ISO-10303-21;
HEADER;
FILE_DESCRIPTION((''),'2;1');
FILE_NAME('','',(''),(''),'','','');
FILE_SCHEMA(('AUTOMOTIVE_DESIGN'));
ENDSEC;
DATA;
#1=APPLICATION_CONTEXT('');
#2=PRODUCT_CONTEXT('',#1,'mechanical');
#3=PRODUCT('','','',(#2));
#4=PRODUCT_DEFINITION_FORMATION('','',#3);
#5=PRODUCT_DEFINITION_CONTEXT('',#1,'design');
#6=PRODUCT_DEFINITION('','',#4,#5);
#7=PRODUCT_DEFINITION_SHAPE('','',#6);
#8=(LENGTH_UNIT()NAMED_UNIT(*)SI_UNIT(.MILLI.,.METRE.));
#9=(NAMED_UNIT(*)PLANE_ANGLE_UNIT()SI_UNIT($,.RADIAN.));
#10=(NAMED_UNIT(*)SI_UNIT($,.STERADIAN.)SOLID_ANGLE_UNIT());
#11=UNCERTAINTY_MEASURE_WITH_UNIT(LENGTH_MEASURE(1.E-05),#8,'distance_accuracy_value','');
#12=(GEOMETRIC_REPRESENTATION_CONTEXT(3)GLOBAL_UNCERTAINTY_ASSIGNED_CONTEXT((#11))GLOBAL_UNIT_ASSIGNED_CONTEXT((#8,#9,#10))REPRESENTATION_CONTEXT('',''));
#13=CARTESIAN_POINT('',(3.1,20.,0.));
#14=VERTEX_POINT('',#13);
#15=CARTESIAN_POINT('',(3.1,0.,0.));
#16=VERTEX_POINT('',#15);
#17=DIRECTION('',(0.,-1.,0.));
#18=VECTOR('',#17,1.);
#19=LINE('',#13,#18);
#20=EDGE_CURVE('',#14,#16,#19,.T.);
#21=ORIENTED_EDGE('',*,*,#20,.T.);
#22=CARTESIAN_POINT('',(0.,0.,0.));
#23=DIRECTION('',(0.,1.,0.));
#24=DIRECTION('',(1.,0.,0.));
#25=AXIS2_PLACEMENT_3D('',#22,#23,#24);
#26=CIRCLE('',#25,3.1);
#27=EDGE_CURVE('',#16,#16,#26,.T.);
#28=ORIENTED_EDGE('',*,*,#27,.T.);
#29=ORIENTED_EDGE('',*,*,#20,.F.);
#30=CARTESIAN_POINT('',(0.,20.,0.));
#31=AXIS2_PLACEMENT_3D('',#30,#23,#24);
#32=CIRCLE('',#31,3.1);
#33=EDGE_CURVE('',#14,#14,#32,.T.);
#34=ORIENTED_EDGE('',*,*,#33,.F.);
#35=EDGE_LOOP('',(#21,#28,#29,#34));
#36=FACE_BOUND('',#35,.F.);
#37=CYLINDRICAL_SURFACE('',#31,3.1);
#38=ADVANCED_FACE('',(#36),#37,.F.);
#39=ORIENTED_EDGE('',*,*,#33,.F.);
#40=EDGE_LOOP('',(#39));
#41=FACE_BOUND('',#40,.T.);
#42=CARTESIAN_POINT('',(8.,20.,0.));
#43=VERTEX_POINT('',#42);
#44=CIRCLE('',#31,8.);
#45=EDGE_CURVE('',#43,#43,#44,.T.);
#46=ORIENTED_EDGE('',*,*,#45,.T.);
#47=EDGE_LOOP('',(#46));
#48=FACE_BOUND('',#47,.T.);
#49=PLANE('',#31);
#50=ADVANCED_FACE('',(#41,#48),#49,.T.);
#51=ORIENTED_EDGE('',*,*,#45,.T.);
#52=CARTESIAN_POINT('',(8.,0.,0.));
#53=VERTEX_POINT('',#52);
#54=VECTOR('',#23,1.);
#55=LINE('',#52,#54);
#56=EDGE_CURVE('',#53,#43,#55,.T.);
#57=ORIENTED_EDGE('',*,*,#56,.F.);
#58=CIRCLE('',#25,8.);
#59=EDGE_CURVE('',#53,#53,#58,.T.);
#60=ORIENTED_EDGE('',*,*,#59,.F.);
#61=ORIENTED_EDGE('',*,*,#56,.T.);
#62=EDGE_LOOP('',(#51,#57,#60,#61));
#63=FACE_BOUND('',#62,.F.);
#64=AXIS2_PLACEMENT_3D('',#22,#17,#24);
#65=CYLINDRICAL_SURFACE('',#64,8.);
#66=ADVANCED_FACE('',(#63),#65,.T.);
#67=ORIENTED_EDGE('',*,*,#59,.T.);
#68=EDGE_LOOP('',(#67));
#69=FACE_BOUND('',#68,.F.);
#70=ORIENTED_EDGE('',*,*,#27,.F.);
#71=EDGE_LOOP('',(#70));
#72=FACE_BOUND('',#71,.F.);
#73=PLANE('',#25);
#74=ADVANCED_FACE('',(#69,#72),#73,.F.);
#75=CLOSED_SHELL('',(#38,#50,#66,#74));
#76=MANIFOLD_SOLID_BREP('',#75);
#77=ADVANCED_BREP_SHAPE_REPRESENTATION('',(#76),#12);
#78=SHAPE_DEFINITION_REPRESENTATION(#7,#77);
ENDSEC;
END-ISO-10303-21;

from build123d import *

# Parameters (mm, degrees)
SKETCH1_R           = 8
BOSS_EXTRUDE1_DEPTH = 20
CUT_EXTRUDE1_REACH  = 22
SKETCH2_R           = 3.1


with BuildPart() as part:
    # Sketch1 → Boss-Extrude1 (new body)
    with BuildSketch(Plane(origin=(0, 0, 0), x_dir=(1, 0, 0), z_dir=(0, 1, 0))):
        Circle(SKETCH1_R)
    extrude(amount=BOSS_EXTRUDE1_DEPTH)

    # Sketch2 → Cut-Extrude1 (cut, up to next)
    with BuildSketch(Plane(origin=(0, 20, 0), x_dir=(1, 0, 0), z_dir=(0, 1, 0)), mode=Mode.PRIVATE) as cut_extrude1_sk1:
        Circle(SKETCH2_R)
    cut_extrude1_tool1 = extrude(cut_extrude1_sk1.sketch, amount=-CUT_EXTRUDE1_REACH, mode=Mode.PRIVATE) & part.part
    add(cut_extrude1_tool1.solids().sort_by_distance((0, 20, 0))[0], mode=Mode.SUBTRACT)


solid = part.part
